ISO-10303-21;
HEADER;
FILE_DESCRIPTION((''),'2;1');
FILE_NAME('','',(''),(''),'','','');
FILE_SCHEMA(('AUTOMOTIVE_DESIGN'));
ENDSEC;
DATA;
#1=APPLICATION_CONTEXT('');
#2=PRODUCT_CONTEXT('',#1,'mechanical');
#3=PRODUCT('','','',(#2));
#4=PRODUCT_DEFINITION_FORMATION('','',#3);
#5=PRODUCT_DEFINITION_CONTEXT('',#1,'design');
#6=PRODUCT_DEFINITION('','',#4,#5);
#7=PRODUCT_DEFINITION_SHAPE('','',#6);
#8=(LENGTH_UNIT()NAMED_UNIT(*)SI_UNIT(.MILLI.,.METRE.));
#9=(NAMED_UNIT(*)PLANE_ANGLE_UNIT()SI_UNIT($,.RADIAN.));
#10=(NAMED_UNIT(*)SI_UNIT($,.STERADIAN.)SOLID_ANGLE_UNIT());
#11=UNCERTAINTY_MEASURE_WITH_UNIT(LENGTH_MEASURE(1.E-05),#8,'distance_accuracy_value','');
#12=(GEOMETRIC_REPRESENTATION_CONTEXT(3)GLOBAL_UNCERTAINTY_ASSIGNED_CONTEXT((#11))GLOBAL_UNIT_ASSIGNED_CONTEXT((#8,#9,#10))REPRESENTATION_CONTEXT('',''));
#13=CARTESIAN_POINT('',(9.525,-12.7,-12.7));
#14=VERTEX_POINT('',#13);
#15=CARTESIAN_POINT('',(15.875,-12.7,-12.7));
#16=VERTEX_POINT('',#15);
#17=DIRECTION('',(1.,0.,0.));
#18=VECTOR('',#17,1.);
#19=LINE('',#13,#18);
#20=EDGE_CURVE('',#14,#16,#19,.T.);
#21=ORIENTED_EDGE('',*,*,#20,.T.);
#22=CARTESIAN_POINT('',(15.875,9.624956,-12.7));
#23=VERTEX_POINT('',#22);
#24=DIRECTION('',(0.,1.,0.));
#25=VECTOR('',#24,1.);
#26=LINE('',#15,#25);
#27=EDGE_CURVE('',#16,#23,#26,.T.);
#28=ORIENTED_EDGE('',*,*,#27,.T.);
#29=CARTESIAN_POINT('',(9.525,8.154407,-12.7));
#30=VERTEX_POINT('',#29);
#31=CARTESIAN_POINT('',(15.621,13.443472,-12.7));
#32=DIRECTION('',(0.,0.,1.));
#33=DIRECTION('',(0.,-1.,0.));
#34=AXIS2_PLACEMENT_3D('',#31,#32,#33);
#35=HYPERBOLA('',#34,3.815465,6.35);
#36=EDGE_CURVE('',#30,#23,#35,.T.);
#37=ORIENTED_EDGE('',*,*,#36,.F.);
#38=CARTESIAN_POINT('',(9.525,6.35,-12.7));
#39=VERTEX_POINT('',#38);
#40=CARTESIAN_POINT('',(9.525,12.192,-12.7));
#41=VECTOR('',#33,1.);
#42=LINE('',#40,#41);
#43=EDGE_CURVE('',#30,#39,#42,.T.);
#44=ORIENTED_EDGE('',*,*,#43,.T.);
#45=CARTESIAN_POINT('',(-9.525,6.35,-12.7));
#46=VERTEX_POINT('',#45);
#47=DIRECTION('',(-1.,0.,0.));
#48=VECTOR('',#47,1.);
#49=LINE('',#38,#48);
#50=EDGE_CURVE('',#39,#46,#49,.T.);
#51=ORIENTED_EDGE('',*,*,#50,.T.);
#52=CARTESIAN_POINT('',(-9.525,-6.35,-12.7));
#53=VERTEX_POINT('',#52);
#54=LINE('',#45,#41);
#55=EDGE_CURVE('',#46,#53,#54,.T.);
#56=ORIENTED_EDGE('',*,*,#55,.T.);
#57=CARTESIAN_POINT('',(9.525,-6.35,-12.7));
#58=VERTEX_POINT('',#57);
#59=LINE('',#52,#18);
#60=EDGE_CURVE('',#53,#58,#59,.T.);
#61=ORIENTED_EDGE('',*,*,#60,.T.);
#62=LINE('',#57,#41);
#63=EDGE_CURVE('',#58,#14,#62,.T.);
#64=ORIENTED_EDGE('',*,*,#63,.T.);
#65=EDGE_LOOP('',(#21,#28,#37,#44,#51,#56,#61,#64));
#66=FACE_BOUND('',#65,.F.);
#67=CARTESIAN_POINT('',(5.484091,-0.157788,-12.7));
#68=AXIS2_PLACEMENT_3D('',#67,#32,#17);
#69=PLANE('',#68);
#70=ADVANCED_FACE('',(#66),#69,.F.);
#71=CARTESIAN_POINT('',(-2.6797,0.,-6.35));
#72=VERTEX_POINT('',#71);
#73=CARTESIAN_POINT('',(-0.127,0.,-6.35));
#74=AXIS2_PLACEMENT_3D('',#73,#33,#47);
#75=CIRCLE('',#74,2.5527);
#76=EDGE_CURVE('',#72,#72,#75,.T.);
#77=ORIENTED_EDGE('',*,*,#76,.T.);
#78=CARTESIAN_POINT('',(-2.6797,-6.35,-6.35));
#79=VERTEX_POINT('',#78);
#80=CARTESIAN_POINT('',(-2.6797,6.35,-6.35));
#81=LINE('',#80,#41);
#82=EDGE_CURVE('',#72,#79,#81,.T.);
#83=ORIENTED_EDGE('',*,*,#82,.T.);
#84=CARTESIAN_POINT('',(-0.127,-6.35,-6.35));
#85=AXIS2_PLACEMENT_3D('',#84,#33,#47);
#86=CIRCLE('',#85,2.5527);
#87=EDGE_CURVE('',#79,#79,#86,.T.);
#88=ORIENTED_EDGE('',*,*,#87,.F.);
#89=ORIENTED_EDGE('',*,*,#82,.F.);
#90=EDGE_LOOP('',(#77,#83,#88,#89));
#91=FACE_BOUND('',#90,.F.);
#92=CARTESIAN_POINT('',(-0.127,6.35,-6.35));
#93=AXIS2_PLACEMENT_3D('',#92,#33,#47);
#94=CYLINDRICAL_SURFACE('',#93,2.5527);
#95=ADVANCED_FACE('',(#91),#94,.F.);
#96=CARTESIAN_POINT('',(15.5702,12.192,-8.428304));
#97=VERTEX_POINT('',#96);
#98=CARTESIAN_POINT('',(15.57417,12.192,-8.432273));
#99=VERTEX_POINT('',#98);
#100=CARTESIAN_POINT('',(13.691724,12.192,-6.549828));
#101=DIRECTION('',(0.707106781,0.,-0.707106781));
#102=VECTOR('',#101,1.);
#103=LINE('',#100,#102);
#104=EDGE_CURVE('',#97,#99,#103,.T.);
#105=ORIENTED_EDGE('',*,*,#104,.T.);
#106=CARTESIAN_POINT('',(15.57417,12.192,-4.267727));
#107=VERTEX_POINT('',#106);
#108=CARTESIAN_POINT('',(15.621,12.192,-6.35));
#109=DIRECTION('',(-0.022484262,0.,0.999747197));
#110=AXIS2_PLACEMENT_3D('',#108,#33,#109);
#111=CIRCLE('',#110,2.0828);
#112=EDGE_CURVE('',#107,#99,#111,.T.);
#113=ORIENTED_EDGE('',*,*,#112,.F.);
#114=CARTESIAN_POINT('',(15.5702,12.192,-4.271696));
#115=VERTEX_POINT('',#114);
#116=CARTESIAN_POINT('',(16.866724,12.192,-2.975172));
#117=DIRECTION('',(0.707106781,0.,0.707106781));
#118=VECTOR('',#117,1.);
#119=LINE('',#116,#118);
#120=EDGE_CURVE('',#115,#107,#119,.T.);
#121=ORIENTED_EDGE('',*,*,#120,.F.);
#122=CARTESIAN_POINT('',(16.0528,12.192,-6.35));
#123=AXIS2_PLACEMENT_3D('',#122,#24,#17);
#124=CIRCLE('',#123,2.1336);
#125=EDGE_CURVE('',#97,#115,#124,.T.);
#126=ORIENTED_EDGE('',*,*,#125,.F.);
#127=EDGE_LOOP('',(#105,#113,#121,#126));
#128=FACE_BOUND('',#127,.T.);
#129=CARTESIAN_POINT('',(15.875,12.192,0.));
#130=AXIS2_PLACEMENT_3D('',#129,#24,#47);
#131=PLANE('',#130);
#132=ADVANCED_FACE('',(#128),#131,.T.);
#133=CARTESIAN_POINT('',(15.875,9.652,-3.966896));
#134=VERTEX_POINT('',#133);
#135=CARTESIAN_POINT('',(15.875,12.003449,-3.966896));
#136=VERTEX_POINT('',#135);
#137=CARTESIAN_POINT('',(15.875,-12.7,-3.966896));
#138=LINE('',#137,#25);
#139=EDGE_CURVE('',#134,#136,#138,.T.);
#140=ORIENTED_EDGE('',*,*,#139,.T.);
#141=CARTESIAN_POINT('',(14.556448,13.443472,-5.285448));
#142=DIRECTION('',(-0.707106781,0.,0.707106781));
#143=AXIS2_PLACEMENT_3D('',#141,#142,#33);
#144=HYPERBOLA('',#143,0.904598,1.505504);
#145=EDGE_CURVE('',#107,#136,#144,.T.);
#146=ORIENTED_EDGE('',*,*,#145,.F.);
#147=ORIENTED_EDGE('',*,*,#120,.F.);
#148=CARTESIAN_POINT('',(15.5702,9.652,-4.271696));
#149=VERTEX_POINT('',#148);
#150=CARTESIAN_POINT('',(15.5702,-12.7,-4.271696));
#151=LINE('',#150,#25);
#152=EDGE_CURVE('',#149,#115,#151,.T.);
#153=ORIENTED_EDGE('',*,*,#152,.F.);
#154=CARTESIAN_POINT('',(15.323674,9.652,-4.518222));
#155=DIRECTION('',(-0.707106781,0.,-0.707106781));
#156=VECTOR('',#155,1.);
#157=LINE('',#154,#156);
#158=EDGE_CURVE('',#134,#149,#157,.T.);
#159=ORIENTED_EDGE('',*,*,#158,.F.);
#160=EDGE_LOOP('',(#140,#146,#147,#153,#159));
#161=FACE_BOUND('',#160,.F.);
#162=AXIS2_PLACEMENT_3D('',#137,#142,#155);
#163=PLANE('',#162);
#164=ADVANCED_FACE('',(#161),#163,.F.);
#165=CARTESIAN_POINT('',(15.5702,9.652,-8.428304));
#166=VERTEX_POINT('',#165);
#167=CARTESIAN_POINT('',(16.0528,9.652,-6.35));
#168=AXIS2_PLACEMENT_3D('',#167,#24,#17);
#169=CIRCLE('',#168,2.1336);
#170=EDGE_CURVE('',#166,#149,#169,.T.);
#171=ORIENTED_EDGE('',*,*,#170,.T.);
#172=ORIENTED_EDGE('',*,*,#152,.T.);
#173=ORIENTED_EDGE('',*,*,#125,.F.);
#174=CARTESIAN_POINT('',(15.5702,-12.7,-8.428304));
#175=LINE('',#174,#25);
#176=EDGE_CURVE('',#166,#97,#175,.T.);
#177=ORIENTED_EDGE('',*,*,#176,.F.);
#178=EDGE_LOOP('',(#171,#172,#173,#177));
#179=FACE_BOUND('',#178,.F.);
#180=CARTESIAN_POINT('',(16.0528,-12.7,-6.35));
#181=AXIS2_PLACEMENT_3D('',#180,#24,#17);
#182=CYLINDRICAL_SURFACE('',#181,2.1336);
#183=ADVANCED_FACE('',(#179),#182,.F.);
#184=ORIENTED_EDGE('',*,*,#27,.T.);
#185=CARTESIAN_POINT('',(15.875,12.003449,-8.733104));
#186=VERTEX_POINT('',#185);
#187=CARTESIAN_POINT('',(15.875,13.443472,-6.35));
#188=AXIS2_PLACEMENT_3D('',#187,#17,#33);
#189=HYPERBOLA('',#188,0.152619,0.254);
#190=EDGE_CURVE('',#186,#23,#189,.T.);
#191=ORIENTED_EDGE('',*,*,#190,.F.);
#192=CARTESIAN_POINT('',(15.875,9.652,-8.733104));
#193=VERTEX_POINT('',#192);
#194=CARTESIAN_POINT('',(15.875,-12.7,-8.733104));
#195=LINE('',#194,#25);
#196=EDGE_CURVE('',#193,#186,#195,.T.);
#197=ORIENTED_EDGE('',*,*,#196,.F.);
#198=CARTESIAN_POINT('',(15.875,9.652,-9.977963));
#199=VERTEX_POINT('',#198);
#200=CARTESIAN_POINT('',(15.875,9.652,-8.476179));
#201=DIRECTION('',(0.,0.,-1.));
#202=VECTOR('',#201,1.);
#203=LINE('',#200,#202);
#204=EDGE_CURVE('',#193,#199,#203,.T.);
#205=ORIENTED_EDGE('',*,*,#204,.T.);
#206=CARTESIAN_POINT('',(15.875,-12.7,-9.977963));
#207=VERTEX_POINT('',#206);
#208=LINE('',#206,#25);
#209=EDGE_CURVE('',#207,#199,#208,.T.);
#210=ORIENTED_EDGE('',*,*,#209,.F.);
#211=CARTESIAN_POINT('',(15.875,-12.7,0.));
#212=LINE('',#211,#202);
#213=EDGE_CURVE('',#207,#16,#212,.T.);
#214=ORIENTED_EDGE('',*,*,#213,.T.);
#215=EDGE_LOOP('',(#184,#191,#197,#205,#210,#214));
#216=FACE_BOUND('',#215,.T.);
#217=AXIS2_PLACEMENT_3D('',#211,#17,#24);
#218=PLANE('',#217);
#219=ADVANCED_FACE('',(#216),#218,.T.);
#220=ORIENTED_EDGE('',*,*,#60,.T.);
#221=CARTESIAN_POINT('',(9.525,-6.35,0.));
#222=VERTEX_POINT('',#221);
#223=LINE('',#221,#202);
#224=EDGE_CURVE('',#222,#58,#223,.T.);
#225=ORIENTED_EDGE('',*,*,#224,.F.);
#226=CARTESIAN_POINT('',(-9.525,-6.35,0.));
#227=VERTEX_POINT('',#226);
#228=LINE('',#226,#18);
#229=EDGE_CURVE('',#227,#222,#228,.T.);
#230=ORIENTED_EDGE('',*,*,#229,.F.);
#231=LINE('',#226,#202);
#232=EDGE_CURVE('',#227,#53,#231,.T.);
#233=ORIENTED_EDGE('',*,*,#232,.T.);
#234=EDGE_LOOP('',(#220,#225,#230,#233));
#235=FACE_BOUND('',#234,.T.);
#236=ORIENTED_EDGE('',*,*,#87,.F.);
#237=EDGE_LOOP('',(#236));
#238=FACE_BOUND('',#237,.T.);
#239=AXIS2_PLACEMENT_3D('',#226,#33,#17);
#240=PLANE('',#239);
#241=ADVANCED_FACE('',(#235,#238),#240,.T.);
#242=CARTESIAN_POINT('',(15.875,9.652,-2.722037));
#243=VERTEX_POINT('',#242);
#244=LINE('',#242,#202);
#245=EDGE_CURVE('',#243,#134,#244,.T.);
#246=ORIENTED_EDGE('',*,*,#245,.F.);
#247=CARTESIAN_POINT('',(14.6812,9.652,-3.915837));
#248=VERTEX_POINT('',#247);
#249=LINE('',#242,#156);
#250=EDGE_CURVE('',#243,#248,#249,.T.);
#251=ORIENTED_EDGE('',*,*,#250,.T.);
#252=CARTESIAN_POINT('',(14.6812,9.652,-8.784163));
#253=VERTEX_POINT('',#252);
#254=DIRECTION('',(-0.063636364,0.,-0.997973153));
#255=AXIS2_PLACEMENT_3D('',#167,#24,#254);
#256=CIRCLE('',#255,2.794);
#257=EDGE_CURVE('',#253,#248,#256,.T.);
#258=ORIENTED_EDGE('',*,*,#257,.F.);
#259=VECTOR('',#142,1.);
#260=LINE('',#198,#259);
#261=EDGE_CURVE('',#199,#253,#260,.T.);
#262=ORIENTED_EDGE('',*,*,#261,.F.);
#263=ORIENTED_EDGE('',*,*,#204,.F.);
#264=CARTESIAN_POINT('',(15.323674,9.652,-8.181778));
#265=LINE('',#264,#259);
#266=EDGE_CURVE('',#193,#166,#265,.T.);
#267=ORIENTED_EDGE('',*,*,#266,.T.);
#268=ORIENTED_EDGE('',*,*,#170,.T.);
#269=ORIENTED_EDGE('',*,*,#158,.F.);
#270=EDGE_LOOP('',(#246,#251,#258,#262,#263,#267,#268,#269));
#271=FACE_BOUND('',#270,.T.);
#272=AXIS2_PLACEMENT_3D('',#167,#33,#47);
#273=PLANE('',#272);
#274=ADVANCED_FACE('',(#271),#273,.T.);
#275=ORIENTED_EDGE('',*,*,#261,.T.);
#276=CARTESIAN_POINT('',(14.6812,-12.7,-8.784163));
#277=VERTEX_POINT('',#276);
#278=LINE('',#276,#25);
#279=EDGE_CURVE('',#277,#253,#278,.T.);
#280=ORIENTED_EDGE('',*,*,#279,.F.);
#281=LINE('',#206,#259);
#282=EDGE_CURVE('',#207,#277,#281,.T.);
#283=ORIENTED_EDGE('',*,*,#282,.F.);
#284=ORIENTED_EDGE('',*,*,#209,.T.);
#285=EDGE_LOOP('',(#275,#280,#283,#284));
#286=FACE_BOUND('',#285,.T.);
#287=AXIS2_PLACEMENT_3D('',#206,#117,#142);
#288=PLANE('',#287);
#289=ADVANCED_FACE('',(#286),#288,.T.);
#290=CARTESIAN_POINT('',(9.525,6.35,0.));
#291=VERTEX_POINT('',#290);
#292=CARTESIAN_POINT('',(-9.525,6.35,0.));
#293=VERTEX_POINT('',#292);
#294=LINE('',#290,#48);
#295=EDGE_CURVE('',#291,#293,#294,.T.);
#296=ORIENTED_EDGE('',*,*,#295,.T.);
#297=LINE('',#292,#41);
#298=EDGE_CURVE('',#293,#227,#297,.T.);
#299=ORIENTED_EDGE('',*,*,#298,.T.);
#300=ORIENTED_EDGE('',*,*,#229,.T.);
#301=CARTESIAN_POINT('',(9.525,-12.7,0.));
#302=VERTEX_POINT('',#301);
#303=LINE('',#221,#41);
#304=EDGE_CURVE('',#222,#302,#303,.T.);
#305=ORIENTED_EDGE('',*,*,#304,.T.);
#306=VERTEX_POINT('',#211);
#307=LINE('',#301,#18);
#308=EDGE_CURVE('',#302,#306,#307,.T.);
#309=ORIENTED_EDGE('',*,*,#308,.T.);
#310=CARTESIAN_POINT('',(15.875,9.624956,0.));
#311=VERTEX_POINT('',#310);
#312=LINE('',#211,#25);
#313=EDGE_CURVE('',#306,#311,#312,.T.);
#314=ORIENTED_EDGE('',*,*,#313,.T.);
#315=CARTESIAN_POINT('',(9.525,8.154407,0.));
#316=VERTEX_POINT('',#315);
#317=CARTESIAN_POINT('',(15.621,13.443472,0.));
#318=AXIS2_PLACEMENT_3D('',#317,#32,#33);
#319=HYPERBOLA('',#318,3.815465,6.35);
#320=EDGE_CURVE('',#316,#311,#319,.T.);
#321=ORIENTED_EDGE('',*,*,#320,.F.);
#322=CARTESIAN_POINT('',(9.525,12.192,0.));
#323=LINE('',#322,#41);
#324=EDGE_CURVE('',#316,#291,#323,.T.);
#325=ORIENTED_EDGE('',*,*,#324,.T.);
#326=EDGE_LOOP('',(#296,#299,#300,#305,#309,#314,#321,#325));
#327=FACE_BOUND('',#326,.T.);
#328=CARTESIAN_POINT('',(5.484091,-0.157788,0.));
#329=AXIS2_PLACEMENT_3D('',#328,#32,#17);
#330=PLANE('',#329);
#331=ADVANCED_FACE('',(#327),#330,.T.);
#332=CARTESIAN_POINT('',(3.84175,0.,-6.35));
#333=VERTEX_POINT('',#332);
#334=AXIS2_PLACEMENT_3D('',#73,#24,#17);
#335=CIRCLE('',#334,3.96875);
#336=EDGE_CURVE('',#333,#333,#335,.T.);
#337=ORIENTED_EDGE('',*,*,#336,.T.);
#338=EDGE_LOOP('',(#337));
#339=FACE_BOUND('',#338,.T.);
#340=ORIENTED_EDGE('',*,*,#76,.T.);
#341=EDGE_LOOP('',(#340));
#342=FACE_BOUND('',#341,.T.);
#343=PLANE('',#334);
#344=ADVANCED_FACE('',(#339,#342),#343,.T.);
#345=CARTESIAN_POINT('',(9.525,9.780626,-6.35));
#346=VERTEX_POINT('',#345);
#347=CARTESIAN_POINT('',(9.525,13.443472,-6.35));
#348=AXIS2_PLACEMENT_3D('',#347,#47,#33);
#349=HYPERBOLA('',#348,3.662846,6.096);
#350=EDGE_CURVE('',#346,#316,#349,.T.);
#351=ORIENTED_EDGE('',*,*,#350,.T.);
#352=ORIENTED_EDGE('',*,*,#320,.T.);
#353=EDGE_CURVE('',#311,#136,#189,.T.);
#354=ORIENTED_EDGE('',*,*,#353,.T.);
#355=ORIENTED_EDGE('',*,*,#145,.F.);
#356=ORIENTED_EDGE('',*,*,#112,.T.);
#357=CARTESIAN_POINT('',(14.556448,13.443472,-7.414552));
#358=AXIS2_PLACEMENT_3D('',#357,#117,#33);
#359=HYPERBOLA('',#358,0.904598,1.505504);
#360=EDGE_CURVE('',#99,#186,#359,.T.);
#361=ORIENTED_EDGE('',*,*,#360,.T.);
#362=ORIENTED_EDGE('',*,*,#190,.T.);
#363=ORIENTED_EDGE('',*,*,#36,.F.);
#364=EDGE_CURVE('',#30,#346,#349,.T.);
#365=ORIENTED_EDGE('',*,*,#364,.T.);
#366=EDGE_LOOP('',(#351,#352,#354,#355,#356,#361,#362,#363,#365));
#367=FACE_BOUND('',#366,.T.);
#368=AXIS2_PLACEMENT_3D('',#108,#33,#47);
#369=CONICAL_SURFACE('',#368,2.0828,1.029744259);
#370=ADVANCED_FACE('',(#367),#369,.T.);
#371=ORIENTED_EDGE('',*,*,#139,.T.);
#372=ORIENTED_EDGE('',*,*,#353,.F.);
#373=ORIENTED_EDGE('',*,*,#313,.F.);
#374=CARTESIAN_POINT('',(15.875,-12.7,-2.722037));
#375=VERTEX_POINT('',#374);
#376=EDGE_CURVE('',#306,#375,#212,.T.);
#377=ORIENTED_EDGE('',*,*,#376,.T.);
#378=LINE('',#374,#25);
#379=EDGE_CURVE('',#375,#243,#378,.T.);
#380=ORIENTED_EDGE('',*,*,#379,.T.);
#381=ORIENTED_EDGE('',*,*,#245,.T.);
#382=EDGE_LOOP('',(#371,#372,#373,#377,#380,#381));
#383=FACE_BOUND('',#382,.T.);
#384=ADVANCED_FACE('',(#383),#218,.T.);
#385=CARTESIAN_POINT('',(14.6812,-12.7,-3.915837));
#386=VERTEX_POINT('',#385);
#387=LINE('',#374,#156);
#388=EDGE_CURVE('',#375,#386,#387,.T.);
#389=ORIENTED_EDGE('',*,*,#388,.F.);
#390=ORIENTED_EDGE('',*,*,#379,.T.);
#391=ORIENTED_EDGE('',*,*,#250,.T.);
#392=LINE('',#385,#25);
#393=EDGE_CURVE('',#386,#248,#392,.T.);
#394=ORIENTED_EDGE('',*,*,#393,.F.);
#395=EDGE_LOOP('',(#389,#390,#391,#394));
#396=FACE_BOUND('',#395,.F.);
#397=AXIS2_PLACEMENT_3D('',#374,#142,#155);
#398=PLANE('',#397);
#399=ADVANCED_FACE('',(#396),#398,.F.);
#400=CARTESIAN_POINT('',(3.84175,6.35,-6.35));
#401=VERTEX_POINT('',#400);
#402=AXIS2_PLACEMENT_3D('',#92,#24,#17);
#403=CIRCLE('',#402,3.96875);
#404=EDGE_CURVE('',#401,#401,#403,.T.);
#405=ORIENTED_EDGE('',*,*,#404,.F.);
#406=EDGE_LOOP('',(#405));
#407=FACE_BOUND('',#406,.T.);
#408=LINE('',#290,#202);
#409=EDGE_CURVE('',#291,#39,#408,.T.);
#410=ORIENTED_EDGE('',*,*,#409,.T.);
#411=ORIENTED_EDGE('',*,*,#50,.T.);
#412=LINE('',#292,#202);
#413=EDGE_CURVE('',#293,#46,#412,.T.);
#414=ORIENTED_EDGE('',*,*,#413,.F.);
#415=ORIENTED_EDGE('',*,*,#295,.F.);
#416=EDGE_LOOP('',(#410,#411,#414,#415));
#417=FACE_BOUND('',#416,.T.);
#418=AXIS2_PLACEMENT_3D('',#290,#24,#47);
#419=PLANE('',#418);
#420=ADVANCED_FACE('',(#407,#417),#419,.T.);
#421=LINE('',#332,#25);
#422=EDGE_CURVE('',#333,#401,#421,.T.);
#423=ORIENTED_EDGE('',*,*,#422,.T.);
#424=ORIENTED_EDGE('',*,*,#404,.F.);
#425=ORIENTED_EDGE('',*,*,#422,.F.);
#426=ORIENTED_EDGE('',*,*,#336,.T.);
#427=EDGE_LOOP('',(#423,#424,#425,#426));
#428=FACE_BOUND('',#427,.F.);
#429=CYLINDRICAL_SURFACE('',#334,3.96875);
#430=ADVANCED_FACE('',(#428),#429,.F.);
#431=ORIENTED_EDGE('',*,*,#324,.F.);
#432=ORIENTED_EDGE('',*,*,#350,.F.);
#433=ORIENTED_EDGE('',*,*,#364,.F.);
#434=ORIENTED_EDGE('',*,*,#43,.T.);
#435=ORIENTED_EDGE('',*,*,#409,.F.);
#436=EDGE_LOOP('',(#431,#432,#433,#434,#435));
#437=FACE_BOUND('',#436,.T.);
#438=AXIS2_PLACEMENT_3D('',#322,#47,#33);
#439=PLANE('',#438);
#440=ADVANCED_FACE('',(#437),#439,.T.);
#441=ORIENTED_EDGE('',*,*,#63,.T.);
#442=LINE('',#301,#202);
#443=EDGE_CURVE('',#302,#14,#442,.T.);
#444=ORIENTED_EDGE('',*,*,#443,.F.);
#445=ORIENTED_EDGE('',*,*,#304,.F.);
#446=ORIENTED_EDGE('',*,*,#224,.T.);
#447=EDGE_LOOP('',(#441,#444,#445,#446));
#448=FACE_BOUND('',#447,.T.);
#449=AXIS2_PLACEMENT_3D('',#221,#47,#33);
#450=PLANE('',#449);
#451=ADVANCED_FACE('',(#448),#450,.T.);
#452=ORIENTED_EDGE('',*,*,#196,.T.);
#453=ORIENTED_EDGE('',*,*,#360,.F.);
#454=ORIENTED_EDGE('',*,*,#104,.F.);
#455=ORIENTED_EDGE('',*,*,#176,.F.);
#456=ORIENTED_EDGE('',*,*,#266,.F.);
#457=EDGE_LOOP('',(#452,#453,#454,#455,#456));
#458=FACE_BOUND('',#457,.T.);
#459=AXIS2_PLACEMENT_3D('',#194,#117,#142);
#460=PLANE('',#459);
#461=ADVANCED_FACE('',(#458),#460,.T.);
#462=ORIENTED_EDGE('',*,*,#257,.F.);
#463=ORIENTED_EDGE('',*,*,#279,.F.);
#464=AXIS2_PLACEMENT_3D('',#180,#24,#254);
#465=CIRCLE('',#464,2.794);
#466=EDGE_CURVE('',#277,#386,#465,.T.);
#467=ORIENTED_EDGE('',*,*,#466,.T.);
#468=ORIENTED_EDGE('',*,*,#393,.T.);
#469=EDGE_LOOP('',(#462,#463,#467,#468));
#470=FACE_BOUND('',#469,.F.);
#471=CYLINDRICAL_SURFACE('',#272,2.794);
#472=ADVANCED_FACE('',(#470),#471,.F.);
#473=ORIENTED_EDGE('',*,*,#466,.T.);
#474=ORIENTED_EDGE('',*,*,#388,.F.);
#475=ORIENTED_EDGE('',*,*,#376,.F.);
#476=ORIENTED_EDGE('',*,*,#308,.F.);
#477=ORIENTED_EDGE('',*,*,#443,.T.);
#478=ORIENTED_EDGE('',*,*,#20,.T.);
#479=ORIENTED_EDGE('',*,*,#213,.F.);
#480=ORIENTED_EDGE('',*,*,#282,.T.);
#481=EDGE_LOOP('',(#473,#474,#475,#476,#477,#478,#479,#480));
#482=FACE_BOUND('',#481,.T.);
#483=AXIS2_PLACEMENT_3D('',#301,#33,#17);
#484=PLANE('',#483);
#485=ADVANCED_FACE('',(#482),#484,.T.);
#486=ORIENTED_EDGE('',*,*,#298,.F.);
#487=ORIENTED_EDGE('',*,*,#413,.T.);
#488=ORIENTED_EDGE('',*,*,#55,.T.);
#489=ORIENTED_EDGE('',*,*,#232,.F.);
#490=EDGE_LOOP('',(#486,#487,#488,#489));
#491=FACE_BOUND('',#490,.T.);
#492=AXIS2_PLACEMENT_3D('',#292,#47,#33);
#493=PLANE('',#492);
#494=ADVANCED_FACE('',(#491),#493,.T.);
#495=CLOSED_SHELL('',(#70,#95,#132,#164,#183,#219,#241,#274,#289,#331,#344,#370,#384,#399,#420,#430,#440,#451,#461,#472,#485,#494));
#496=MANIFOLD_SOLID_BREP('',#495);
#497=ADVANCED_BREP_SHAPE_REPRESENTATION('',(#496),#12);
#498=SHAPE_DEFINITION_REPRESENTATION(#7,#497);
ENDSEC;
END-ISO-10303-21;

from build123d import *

# Parameters (mm, degrees)
SALIENTE_EXTRUIR1_DEPTH                              = 12.7
REFRENTADO_PARA_TORNILLO_CON_CABEZA_HUEC_D           = 5.1054
REFRENTADO_PARA_TORNILLO_CON_CABEZA_HUEC_CBORE_D     = 7.9375
REFRENTADO_PARA_TORNILLO_CON_CABEZA_HUEC_CBORE_DEPTH = 6.35
REFRENTADO_PARA_TORNILLO_CON_CABEZA_2_D              = 4.2672
REFRENTADO_PARA_TORNILLO_CON_CABEZA_2_CBORE_D        = 5.588
REFRENTADO_PARA_TORNILLO_CON_CABEZA_2_CBORE_DEPTH    = 22.352
CORTAR_EXTRUIR4_DEPTH                                = 22.352
CORTAR_EXTRUIR5_DEPTH                                = 33.139030617
CORTAR_EXTRUIR2_DEPTH                                = 6.35


with BuildPart() as part:
    # Croquis1 → Saliente-Extruir1 (new body)
    with BuildSketch(Plane.XY):
        Polygon((-9.525, 6.35), (-9.525, -6.35), (9.525, -6.35), (9.525, -12.7), (15.875, -12.7), (15.875, 12.192), (9.525, 12.192), (9.525, 6.35), align=None)
    extrude(amount=-SALIENTE_EXTRUIR1_DEPTH)

    # Refrentado para tornillo con cabeza huec (through all)
    with Locations(Plane(origin=(0, 6.35, 0), x_dir=(1, 0, 0), z_dir=(0, 1, 0))):
        with Locations((-0.127, 6.35)):
            CounterBoreHole(REFRENTADO_PARA_TORNILLO_CON_CABEZA_HUEC_D / 2, REFRENTADO_PARA_TORNILLO_CON_CABEZA_HUEC_CBORE_D / 2, REFRENTADO_PARA_TORNILLO_CON_CABEZA_HUEC_CBORE_DEPTH)

    # Refrentado para tornillo con cabeza  2 (through all)
    with Locations(Plane(origin=(0, -12.7, 0), x_dir=(-1, 0, 0), z_dir=(0, -1, 0))):
        with Locations((-16.0528, 6.35)):
            CounterBoreHole(REFRENTADO_PARA_TORNILLO_CON_CABEZA_2_D / 2, REFRENTADO_PARA_TORNILLO_CON_CABEZA_2_CBORE_D / 2, REFRENTADO_PARA_TORNILLO_CON_CABEZA_2_CBORE_DEPTH)

    # Croquis12 → Cortar-Extruir4 (cut)
    with BuildSketch(Plane.XZ.offset(12.7)):
        Polygon((15.875, -9.977962986), (14.6812, -8.784162986), (15.875, -8.784162986), align=None)
        Polygon((15.875, -3.915837014), (15.875, -2.722037014), (14.6812, -3.915837014), align=None)
    extrude(amount=-CORTAR_EXTRUIR4_DEPTH, mode=Mode.SUBTRACT)

    # Croquis13 → Cortar-Extruir5 (cut, through all)
    with BuildSketch(Plane.XZ.offset(12.7)):
        Polygon((15.875, -3.966896317), (15.5702, -4.271696317), (15.875, -4.271696317), align=None)
        Polygon((15.875, -8.428303683), (15.875, -8.733103683), (15.5702, -8.428303683), align=None)
    extrude(amount=-CORTAR_EXTRUIR5_DEPTH, mode=Mode.SUBTRACT)

    # Croquis21 → Cortar-Revolución12 (revolve, cut)
    with BuildSketch(Plane.XY.offset(-6.35)):
        Polygon((13.5382, 12.192), (5.6007, 7.422668836), (5.6007, 12.192), align=None)
    revolve(axis=Axis((15.621, 12.192, -6.35), (0, -1, 0)), mode=Mode.SUBTRACT)

    # Croquis5 → Cortar-Extruir2 (cut)
    with BuildSketch(Plane(origin=(15.875, 0, 0), x_dir=(0, 0, -1), z_dir=(1, 0, 0))):
        Polygon((8.472730115, 12.192), (12.7, 9.652), (12.7, 12.192), align=None)
        Polygon((4.227269885, 12.192), (0, 9.652), (0, 12.192), align=None)
    extrude(amount=-CORTAR_EXTRUIR2_DEPTH, mode=Mode.SUBTRACT)


solid = part.part
